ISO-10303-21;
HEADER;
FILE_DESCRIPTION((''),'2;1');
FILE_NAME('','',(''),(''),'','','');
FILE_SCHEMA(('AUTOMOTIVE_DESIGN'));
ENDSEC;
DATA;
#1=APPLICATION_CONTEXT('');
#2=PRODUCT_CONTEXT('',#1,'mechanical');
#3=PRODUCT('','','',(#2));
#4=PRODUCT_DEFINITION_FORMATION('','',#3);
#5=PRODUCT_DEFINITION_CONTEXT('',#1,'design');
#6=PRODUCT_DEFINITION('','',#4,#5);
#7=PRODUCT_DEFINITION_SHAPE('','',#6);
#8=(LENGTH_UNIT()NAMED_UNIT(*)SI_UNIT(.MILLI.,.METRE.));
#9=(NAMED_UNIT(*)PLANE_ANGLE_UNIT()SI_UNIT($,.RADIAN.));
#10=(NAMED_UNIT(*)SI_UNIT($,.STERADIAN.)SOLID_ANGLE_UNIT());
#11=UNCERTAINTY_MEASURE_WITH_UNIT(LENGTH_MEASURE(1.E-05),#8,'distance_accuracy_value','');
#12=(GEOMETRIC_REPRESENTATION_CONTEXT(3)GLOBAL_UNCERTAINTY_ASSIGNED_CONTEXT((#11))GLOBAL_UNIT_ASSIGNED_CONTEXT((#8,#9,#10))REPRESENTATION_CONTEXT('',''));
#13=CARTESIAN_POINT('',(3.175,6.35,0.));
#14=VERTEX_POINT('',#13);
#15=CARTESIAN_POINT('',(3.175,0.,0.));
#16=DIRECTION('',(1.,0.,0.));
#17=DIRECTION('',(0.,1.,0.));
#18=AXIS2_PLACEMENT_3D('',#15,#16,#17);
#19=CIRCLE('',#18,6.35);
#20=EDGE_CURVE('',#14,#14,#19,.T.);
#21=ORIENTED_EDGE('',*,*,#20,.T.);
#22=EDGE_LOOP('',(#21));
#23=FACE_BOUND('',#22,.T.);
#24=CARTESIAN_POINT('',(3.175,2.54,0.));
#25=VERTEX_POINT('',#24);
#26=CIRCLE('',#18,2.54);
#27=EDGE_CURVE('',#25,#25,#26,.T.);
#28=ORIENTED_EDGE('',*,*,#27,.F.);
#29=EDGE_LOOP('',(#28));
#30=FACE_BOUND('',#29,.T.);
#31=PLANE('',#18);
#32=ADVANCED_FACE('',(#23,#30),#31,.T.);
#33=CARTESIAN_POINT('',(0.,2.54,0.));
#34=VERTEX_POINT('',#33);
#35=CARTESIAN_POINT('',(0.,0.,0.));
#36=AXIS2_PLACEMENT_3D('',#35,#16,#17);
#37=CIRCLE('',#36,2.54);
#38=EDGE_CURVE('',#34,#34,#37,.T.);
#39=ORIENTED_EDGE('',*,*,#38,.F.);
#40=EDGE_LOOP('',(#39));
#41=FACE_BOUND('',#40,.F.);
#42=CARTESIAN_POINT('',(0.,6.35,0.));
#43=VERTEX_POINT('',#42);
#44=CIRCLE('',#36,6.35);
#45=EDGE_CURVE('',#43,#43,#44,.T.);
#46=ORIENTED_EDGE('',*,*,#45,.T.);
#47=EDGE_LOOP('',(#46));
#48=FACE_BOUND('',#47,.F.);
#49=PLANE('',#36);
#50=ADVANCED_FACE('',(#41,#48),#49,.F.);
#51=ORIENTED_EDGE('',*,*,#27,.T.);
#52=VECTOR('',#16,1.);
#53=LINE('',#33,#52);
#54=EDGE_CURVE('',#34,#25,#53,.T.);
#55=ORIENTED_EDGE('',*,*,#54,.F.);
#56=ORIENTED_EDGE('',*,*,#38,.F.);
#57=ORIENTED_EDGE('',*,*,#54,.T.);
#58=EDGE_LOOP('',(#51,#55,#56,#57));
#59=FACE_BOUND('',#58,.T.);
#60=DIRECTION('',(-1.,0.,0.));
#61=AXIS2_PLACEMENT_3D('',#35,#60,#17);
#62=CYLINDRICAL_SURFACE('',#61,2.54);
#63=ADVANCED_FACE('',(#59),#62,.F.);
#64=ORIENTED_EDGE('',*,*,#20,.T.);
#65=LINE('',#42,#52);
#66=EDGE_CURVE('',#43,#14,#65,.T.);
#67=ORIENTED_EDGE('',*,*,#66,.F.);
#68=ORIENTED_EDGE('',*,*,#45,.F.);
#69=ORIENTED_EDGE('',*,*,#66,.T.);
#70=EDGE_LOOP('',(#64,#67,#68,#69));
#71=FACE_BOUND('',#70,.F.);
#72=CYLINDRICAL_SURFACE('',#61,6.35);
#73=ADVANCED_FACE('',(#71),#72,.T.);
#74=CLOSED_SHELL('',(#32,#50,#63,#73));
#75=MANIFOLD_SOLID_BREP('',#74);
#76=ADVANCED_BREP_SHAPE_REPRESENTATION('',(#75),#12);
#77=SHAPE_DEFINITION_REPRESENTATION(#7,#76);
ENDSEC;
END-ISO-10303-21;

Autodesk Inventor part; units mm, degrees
ref_plane "YZ Plane" through (0, 0, 0) normal (1, 0, 0) x (0, 1, 0)
ref_plane "XZ Plane" through (0, 0, 0) normal (0, 1, 0) x (-1, 0, 0)
ref_plane "XY Plane" through (0, 0, 0) normal (0, 0, 1) x (1, 0, 0)
sketch "Sketch1" plane through (0, 0, 0) normal (1, 0, 0) x (0, 1, 0)
  circle A0 centre (0, 0) radius 6.35
  circle A1 centre (0, 0) radius 2.54
  dimension "d0" = 5.08
  dimension "d1" = 3.81
extrude "Extrusion1" add sketch "Sketch1" along normal blind 3.175
